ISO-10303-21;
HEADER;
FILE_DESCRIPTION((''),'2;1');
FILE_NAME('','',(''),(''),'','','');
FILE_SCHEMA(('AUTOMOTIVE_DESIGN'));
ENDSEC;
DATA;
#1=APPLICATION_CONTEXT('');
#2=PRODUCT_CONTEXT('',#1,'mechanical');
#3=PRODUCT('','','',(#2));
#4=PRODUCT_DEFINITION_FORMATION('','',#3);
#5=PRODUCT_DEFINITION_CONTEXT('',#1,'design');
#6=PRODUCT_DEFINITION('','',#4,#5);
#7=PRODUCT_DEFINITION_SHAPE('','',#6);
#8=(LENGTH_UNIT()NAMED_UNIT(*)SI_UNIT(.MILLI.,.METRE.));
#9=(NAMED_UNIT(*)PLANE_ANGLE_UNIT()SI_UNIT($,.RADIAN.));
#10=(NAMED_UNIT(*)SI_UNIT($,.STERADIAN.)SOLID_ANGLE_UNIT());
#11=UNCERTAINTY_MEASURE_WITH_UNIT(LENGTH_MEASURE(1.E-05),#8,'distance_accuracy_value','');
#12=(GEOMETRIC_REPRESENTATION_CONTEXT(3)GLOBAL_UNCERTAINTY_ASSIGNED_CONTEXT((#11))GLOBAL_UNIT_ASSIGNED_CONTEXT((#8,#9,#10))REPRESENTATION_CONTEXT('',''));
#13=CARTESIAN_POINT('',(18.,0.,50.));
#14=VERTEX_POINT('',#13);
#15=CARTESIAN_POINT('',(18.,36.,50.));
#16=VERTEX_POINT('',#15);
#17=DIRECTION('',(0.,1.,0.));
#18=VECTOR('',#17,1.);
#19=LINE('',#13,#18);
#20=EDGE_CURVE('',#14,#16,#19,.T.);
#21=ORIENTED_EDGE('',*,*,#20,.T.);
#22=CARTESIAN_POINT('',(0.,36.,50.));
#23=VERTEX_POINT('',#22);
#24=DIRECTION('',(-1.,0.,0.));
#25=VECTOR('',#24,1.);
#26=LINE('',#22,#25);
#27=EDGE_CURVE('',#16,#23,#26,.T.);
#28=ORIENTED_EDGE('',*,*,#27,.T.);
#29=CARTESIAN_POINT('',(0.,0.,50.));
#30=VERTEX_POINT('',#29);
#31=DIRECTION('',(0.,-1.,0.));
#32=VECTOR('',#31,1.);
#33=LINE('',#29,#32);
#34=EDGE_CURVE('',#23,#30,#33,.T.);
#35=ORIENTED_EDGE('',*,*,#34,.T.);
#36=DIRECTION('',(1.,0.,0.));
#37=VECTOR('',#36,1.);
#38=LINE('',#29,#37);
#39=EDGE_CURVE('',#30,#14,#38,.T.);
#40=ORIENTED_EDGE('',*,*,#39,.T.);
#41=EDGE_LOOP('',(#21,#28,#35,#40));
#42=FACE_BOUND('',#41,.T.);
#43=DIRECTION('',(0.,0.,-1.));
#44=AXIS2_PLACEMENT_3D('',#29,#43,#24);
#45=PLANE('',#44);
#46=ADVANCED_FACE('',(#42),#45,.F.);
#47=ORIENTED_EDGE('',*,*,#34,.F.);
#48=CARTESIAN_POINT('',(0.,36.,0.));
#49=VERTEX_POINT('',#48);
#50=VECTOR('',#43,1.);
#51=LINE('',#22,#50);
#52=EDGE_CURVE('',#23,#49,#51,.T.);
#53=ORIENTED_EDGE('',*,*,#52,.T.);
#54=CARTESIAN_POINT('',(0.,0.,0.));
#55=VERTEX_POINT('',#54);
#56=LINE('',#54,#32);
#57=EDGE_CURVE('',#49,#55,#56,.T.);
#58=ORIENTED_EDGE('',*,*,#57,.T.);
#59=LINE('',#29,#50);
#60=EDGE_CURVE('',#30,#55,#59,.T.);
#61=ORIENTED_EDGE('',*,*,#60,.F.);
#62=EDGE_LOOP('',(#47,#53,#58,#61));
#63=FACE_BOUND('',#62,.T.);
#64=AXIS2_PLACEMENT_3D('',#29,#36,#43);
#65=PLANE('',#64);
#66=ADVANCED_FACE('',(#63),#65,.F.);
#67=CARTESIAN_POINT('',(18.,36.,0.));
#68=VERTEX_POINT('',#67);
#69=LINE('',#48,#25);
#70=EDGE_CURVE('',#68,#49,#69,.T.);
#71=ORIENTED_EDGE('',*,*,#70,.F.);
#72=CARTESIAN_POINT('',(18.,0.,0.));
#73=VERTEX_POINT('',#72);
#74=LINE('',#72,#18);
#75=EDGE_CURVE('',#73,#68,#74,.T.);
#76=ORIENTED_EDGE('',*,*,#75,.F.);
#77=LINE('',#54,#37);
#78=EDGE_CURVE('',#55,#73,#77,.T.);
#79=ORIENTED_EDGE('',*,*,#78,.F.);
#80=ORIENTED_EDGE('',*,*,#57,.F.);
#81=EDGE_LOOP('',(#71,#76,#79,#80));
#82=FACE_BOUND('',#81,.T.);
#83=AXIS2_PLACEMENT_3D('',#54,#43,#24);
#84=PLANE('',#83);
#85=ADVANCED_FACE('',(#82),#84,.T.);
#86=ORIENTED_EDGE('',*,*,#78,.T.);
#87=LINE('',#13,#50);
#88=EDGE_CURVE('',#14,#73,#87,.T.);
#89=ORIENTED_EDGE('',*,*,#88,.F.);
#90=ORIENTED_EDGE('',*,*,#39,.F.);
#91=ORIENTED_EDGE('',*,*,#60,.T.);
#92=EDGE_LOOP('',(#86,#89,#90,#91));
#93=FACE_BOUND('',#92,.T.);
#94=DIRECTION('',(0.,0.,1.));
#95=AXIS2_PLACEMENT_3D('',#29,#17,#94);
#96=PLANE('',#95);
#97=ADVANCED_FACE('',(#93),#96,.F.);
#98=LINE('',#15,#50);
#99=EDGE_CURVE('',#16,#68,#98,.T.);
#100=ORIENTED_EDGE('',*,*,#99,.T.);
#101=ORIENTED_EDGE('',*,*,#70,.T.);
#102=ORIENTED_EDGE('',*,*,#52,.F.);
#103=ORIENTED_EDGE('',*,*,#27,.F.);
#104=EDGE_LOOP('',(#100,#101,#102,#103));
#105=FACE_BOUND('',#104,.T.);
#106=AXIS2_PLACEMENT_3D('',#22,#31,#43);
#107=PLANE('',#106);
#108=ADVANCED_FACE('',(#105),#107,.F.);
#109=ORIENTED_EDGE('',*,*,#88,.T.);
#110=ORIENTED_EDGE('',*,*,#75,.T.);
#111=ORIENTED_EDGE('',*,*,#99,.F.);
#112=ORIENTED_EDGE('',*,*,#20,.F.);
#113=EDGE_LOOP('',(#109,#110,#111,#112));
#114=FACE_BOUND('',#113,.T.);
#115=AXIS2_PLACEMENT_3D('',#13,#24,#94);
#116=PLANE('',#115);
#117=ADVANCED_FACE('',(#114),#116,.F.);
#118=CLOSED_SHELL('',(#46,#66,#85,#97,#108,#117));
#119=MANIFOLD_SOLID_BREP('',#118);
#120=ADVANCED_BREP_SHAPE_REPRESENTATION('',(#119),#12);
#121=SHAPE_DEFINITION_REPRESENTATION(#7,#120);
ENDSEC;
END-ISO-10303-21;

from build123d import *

# Parameters (mm, degrees)
SCHIZZO1_W                   = 18
SCHIZZO1_H                   = 36
ESTRUSIONE_ESTRUSIONE1_DEPTH = 50


with BuildPart() as part:
    # Schizzo1 → Estrusione-Estrusione1 (new body)
    with BuildSketch(Plane.XY):
        with Locations((9, 18)):
            Rectangle(SCHIZZO1_W, SCHIZZO1_H)
    extrude(amount=ESTRUSIONE_ESTRUSIONE1_DEPTH)


solid = part.part
